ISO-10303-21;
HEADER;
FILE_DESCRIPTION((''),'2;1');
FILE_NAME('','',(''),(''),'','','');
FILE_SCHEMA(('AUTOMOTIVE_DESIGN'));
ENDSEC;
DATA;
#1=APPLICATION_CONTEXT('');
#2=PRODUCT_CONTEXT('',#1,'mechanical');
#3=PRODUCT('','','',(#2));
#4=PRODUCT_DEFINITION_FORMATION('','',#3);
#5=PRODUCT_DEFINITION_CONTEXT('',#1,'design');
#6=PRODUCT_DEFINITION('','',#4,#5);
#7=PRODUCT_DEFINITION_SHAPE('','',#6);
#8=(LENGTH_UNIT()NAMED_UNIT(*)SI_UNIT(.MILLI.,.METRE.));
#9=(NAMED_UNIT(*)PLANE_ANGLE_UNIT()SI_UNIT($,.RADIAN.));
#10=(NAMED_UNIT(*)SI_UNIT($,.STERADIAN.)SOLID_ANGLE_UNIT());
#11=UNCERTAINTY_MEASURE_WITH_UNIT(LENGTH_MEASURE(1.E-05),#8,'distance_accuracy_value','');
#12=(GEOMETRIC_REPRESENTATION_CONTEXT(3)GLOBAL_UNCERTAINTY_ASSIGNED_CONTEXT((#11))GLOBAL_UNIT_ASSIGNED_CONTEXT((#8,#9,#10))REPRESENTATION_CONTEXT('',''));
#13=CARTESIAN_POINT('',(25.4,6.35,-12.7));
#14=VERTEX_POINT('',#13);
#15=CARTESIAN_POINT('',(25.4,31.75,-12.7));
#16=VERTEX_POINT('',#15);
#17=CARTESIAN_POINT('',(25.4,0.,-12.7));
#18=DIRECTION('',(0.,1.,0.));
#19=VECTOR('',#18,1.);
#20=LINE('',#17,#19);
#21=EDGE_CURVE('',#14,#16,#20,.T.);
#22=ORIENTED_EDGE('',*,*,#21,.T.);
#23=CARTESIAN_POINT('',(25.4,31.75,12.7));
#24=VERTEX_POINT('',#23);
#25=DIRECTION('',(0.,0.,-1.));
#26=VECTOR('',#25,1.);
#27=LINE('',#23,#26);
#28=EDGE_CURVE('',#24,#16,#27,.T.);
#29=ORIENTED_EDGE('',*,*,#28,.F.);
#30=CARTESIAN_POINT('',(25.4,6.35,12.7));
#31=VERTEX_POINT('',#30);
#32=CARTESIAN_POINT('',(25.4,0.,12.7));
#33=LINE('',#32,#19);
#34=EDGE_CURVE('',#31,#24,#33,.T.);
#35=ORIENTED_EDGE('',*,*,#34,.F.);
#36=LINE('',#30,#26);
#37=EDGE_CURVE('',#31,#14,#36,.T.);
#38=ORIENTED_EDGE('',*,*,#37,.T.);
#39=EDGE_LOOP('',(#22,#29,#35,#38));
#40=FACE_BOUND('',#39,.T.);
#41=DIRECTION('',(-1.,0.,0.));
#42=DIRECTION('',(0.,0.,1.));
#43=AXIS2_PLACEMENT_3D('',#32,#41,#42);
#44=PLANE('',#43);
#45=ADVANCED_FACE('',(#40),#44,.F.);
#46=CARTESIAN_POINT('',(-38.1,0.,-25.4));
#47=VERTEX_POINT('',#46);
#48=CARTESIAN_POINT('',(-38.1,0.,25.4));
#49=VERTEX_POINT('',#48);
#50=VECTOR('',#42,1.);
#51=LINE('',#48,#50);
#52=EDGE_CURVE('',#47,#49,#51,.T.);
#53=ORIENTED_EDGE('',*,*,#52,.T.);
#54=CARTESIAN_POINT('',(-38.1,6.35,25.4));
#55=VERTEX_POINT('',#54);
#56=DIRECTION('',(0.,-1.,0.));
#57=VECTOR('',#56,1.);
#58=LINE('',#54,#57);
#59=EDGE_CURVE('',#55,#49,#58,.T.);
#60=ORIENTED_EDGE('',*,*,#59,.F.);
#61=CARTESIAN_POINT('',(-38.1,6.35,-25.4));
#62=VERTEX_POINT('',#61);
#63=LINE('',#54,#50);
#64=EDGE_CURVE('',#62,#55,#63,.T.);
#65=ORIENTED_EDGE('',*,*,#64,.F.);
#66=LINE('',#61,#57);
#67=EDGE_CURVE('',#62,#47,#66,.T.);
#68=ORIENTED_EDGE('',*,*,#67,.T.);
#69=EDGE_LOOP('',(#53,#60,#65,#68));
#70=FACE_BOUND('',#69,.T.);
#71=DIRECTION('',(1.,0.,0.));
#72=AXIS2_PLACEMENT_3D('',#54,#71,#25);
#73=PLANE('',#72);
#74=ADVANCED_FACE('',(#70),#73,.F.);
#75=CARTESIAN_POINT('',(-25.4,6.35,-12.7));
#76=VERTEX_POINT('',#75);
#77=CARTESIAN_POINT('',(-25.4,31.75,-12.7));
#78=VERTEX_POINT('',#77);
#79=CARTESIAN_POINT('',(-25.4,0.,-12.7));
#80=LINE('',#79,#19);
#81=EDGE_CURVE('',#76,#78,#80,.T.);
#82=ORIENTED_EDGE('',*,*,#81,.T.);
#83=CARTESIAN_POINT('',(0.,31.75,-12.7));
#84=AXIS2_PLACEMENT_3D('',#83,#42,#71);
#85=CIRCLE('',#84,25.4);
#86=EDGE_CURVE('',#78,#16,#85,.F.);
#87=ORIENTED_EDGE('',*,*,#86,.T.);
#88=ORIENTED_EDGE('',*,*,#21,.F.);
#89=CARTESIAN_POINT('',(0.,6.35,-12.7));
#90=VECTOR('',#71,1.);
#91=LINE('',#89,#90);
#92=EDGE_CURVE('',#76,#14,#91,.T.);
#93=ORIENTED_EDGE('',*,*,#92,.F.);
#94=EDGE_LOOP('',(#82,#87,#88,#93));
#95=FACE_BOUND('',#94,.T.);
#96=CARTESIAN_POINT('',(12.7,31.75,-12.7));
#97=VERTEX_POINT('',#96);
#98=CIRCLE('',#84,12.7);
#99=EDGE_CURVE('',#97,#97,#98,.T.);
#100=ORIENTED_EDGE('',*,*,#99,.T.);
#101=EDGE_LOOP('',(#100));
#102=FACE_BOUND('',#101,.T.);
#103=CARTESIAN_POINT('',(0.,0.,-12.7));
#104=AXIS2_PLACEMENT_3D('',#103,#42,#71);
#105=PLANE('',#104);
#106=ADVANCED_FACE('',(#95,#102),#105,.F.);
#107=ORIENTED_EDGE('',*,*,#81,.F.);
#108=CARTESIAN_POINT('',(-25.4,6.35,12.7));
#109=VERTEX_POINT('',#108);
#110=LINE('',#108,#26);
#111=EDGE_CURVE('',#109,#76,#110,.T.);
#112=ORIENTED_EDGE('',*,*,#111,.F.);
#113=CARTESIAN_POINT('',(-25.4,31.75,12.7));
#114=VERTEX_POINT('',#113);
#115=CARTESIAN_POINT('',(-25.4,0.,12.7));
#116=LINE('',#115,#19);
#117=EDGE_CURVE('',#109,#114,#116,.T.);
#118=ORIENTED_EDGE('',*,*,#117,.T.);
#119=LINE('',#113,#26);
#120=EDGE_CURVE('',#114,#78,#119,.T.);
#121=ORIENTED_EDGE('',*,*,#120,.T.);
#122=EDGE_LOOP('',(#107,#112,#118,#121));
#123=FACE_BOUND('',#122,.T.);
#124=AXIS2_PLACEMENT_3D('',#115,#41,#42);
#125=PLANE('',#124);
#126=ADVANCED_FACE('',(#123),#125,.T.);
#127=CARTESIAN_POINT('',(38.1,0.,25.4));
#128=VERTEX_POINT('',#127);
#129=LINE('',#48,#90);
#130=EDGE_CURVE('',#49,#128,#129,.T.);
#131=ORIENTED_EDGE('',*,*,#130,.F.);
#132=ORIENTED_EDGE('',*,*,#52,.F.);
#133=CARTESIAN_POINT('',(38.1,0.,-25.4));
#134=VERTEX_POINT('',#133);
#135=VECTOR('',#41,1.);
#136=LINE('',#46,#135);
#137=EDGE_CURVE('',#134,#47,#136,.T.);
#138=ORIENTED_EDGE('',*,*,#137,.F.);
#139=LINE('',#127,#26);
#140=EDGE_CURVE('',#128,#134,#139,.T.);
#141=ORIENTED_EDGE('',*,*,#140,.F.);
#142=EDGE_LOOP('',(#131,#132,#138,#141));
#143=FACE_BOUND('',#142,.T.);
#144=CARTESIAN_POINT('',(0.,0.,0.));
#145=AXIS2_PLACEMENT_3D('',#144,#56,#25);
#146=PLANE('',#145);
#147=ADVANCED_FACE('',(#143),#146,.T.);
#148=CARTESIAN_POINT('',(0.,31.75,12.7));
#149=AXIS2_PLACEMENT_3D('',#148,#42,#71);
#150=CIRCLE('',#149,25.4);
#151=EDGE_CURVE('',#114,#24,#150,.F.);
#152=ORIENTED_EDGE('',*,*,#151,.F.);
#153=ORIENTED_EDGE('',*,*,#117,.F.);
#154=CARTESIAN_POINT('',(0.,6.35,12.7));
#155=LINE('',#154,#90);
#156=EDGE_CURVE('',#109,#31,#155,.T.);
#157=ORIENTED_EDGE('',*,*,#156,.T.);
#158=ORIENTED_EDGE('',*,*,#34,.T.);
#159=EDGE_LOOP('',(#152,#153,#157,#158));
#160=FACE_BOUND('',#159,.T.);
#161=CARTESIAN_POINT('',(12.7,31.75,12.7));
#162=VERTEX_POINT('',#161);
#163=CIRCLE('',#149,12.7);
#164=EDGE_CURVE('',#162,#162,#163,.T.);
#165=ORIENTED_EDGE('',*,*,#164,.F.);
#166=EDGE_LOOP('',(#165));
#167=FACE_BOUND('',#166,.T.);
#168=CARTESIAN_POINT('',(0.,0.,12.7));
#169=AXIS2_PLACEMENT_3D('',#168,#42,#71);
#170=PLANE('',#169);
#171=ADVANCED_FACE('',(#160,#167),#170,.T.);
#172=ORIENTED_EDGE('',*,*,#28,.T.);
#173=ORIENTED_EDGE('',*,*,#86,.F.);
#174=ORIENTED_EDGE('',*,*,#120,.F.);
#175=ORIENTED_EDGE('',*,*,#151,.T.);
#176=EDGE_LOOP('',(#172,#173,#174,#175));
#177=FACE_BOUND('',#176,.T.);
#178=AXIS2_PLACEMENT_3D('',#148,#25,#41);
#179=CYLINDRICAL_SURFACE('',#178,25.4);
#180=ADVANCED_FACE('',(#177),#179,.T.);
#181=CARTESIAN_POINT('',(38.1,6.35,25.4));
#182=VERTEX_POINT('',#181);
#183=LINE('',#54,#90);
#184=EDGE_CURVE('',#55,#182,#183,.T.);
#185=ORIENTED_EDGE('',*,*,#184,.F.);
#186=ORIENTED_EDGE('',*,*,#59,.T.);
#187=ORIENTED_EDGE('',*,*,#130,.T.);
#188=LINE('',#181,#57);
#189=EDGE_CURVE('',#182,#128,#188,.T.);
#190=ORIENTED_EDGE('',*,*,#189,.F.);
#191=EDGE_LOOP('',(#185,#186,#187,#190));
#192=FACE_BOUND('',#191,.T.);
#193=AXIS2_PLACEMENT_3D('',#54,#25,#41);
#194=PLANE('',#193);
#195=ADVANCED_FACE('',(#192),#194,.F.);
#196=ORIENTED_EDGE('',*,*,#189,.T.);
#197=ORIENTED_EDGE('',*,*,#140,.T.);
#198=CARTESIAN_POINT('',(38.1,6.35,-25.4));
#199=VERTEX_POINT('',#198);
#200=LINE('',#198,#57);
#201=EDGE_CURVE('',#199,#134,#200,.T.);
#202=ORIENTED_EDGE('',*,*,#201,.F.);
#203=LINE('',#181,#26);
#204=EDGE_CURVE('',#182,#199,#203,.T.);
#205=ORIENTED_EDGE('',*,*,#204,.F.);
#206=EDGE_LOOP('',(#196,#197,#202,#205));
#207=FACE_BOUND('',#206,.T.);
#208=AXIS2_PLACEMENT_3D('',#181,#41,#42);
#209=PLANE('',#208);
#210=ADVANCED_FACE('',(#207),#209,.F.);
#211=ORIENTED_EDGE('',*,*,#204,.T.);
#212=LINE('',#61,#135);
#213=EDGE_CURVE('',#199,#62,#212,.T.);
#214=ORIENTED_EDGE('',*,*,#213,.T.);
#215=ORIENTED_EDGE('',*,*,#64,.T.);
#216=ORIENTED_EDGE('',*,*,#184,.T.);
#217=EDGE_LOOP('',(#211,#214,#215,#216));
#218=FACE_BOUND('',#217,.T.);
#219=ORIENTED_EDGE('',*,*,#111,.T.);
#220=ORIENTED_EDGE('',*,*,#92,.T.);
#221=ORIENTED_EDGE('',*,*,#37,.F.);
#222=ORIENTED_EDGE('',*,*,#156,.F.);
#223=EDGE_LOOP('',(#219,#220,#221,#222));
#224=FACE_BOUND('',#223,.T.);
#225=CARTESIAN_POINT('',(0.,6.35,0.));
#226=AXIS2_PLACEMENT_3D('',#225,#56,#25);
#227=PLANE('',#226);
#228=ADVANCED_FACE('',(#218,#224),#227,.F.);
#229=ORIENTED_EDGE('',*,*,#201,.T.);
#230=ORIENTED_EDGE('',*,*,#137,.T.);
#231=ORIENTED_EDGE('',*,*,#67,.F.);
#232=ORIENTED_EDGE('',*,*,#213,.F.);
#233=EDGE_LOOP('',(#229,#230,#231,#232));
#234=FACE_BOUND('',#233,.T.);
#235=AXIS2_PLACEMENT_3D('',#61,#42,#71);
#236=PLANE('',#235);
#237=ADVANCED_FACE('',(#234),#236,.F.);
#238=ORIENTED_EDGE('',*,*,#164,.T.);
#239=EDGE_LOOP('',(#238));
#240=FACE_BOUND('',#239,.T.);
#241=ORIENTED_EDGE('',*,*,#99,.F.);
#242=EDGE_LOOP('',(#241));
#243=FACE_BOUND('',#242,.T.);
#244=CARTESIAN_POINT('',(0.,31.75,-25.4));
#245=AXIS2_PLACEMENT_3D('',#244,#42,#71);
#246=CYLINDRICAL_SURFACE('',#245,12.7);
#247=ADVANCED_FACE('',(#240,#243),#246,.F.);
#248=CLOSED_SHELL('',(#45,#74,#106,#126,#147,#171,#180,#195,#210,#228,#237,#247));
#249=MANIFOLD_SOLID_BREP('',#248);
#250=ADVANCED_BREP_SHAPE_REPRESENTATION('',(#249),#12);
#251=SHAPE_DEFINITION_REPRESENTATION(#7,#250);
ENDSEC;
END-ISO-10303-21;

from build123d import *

# Parameters (mm, degrees)
SKETCH1_W           = 76.2
SKETCH1_H           = 50.8
BOSS_EXTRUDE1_DEPTH = 6.35
SKETCH2_W           = 50.8
SKETCH2_H           = 25.4
BOSS_EXTRUDE2_DEPTH = 12.7
SKETCH3_R           = 12.7
CUT_EXTRUDE1_DEPTH  = 79.545162168


with BuildPart() as part:
    # Sketch1 → Boss-Extrude1 (new body)
    with BuildSketch(Plane(origin=(0, 0, 0), x_dir=(1, 0, 0), z_dir=(0, 1, 0))):
        Rectangle(SKETCH1_W, SKETCH1_H)
    extrude(amount=BOSS_EXTRUDE1_DEPTH)

    # Sketch2 → Boss-Extrude2 (add, symmetric)
    with BuildSketch(Plane.XY):
        with BuildLine():
            ThreePointArc((-25.4, 31.75), (0, 57.15), (25.4, 31.75))
            Line((25.4, 31.75), (-25.4, 31.75))
        make_face()
        with Locations((0, 19.05)):
            Rectangle(SKETCH2_W, SKETCH2_H)
    extrude(amount=BOSS_EXTRUDE2_DEPTH, both=True)

    # Sketch3 → Cut-Extrude1 (cut, through all)
    with BuildSketch(Plane.XY.offset(12.7)):
        with Locations((0, 31.75)):
            Circle(SKETCH3_R)
    extrude(amount=-CUT_EXTRUDE1_DEPTH, mode=Mode.SUBTRACT)


solid = part.part
